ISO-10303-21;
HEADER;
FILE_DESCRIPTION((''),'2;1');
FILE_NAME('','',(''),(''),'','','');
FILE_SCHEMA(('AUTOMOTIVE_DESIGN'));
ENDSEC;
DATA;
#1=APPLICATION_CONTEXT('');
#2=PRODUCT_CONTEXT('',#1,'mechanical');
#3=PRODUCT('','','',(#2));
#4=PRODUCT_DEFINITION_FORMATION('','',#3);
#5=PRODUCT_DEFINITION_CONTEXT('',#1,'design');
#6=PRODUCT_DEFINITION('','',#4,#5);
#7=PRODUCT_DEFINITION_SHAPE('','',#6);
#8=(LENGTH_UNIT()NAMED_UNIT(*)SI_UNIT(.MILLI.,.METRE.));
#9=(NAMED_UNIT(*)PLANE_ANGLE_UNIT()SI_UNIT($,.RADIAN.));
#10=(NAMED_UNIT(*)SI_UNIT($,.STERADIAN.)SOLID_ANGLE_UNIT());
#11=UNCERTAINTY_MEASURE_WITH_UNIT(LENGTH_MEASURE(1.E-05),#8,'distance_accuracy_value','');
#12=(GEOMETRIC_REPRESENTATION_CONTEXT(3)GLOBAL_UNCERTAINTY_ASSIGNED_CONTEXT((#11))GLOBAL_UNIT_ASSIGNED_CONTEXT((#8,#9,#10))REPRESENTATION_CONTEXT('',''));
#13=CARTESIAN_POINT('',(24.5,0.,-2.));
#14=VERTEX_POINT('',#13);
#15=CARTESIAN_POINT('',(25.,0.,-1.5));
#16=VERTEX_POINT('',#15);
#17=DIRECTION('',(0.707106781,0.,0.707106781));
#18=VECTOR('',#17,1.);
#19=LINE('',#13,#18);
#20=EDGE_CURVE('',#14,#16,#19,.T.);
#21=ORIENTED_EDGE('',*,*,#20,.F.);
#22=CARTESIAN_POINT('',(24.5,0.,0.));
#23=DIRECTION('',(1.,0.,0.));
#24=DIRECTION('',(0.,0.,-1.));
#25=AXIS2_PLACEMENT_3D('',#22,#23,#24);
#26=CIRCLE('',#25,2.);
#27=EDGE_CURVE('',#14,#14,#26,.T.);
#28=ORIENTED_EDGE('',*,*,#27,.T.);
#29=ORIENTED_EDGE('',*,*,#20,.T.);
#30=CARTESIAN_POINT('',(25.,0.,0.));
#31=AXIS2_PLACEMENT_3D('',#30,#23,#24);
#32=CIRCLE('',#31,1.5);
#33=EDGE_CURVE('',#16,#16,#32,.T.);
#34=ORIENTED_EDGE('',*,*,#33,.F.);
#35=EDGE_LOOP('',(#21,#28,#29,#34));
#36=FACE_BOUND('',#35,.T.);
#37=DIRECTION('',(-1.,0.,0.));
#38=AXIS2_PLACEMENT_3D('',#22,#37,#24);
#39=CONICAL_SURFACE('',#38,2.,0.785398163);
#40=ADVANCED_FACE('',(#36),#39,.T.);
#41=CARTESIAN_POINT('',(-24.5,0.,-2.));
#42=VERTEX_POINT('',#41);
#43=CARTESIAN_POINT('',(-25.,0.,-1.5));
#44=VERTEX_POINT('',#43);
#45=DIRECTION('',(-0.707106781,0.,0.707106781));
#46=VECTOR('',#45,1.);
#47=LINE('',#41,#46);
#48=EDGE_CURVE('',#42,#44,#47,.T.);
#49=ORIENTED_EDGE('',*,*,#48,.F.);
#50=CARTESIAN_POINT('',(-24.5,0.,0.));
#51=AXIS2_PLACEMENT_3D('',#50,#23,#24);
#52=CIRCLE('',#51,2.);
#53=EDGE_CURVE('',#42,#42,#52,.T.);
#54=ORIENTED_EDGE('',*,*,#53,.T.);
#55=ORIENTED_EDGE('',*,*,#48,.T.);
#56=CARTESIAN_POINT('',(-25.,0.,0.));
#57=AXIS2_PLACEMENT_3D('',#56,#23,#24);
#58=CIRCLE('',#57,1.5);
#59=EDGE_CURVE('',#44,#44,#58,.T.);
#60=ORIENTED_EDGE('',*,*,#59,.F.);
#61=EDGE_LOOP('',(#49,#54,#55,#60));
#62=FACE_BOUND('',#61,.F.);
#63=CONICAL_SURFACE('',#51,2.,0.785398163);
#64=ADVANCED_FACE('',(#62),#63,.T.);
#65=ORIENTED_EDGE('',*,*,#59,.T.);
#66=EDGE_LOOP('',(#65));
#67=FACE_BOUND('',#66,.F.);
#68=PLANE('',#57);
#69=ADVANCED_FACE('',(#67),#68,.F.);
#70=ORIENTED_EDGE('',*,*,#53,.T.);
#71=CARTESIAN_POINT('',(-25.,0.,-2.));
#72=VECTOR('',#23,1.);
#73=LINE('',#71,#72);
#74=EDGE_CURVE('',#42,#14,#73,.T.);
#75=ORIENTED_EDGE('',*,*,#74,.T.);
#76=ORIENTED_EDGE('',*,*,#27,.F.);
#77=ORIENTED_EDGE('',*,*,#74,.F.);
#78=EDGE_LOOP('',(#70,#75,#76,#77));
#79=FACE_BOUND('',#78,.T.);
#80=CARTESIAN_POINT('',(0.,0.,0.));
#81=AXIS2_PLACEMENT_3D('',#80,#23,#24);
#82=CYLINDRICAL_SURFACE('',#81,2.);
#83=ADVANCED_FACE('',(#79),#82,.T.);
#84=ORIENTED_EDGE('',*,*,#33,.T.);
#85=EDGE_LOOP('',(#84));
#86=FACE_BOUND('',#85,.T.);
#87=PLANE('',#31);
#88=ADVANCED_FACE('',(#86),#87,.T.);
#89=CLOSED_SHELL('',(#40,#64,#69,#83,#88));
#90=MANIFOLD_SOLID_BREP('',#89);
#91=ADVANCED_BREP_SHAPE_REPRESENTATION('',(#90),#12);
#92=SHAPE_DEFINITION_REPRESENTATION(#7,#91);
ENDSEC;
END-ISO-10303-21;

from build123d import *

# Parameters (mm, degrees)
SKETCH1_R           = 2
BOSS_EXTRUDE1_DEPTH = 25
CHAMFER1_SIZE       = 0.5


with BuildPart() as part:
    # Sketch1 → Boss-Extrude1 (new, symmetric)
    with BuildSketch(Plane(origin=(0, 0, 0), x_dir=(0, 0, -1), z_dir=(1, 0, 0))):
        Circle(SKETCH1_R)
    extrude(amount=BOSS_EXTRUDE1_DEPTH, both=True)

    # Chamfer1
    chamfer1_edges = [part.edges().sort_by_distance(p)[0] for p in [
        (-25, 0, 2),
        (25, 0, 2),
    ]]
    chamfer(chamfer1_edges, length=CHAMFER1_SIZE)


solid = part.part
